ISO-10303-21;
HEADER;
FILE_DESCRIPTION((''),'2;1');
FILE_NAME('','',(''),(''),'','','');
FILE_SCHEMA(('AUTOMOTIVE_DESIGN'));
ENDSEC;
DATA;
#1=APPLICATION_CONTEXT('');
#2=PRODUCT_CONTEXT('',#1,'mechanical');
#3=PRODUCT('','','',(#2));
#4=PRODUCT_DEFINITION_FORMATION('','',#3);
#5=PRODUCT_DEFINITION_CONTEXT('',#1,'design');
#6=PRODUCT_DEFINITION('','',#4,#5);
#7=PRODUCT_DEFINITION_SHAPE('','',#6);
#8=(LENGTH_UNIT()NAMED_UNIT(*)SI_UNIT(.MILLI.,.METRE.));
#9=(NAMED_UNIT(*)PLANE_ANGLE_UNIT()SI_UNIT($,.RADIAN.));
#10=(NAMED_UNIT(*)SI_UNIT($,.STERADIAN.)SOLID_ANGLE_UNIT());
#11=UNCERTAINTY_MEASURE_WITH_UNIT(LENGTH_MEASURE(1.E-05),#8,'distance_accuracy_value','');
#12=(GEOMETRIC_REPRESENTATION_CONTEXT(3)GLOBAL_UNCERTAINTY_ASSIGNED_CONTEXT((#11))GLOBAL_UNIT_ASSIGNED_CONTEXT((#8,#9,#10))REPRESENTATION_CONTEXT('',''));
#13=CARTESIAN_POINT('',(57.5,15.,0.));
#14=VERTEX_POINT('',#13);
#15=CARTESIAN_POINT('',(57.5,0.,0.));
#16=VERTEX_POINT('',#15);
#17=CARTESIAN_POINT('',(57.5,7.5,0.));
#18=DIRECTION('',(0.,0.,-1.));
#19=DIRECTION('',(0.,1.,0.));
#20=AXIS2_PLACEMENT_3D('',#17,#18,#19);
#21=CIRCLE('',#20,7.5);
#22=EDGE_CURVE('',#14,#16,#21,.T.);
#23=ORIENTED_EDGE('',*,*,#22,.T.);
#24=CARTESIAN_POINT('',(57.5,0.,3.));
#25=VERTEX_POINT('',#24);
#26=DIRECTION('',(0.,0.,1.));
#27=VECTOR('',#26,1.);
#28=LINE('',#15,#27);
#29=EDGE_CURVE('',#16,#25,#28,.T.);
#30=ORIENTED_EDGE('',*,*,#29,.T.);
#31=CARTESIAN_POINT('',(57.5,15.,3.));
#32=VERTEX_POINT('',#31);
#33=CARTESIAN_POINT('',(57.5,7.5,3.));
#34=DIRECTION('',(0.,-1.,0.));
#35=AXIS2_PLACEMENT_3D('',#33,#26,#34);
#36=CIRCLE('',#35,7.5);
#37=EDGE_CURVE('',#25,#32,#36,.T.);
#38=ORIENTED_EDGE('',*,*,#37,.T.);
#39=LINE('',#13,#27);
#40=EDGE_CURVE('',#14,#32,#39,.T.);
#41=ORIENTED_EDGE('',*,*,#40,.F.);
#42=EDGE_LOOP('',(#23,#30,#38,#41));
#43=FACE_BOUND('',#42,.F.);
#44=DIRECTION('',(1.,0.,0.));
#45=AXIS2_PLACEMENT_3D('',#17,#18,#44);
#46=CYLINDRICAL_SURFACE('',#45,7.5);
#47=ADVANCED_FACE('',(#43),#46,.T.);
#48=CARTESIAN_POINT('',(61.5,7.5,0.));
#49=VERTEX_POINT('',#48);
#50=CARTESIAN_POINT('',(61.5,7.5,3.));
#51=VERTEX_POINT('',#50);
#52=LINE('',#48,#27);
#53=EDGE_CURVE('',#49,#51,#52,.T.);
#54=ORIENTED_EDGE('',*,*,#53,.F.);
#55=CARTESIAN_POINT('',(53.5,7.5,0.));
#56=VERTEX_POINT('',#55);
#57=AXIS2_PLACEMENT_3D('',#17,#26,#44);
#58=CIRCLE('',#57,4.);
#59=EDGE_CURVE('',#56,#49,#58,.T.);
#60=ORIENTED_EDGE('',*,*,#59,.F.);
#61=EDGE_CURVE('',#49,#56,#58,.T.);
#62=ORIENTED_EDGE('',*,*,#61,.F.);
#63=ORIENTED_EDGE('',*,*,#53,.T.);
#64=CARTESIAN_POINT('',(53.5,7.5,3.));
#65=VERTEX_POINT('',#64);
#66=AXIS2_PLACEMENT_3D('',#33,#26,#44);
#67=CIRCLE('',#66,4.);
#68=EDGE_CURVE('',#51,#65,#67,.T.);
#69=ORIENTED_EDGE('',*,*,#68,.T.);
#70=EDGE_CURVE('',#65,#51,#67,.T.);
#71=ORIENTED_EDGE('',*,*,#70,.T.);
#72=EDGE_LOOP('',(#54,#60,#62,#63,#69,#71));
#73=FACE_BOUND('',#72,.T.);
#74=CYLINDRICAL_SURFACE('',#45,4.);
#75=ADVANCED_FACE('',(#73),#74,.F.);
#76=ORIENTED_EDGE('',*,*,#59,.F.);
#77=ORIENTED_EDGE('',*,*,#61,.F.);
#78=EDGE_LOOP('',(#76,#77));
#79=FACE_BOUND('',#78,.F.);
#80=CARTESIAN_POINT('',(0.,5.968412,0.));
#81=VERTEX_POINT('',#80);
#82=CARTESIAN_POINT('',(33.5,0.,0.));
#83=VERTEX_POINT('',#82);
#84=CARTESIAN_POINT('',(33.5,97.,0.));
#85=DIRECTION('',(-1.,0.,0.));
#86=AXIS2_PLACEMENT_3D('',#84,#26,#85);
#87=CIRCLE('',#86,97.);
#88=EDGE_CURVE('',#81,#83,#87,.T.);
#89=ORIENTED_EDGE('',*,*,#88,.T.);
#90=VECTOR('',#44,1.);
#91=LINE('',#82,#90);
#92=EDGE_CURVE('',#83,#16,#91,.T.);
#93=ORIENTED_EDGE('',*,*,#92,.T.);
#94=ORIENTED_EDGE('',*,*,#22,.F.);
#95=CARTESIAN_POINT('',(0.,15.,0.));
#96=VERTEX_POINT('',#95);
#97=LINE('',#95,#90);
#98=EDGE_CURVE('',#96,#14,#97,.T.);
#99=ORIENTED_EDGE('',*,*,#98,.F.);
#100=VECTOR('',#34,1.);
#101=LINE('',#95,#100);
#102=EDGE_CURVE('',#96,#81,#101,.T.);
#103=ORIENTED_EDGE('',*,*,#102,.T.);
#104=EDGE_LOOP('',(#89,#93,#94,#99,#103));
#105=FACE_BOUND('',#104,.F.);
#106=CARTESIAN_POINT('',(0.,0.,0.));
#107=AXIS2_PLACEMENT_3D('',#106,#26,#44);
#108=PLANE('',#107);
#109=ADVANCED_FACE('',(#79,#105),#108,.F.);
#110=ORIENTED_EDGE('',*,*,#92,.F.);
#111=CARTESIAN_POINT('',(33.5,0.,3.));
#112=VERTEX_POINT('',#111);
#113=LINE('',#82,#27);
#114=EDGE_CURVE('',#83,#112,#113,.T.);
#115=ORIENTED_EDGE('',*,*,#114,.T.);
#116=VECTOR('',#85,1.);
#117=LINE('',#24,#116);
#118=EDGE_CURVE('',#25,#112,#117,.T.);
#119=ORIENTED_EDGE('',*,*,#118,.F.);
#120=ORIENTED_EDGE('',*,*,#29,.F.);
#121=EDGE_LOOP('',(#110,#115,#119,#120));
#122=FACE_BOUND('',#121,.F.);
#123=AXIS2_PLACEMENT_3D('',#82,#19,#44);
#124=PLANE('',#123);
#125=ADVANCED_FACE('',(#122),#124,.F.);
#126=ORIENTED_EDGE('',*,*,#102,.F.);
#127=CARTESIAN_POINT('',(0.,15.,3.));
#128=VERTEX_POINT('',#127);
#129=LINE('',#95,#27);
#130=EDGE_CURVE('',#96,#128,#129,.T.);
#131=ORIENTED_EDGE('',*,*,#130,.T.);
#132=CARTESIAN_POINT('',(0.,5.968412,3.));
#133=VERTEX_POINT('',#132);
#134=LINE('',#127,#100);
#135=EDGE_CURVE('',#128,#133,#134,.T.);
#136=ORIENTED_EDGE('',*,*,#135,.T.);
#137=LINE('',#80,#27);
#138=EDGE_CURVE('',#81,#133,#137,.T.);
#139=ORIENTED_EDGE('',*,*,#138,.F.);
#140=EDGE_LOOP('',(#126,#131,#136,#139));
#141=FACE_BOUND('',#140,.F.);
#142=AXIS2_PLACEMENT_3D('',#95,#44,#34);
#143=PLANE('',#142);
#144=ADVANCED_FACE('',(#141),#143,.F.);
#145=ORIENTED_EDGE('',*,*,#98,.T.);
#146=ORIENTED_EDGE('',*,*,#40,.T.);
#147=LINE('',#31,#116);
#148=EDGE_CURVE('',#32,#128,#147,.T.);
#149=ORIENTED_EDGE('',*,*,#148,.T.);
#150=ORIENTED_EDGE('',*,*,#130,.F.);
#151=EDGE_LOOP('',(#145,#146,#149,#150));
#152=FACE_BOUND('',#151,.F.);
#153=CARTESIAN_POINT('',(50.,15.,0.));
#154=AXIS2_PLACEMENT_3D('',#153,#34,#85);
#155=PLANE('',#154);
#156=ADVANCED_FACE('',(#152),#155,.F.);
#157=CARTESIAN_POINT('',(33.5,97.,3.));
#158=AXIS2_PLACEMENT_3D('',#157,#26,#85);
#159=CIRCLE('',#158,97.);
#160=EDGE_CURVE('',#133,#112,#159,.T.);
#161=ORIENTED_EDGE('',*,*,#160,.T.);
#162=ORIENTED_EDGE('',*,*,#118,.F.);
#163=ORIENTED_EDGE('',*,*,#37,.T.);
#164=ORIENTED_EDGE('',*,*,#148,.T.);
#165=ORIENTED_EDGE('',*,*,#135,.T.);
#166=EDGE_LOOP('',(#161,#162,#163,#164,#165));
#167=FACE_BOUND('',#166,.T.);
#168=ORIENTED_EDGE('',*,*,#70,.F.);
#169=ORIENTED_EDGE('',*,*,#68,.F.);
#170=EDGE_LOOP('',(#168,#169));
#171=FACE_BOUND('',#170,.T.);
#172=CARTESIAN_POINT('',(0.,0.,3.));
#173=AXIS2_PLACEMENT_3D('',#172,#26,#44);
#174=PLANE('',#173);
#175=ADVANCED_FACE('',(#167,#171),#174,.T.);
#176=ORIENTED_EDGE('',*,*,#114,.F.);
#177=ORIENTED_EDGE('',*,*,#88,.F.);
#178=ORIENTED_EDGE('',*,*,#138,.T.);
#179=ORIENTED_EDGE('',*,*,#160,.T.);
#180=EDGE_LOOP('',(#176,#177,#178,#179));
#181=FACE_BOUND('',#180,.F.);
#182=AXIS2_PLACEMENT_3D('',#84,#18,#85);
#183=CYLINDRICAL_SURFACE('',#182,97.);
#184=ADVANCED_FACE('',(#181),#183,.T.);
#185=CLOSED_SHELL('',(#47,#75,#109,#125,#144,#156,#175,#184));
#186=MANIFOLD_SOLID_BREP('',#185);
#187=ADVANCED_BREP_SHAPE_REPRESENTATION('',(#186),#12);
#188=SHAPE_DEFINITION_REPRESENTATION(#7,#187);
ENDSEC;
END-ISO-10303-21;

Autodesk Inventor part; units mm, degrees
ref_plane "YZ Plane" through (0, 0, 0) normal (1, 0, 0) x (0, 1, 0)
ref_plane "XZ Plane" through (0, 0, 0) normal (0, 1, 0) x (-1, 0, 0)
ref_plane "XY Plane" through (0, 0, 0) normal (0, 0, 1) x (1, 0, 0)
sketch "草圖1" plane through (0, 0, 0) normal (0, 0, 1) x (1, 0, 0)
  line L0 (0, 0) -> (50, 0)
  line L1 (50, 0) -> (50, 15)
  line L2 (50, 15) -> (0, 15)
  line L3 (0, 15) -> (0, 0)
  circle A0 centre (57.5, 7.5) radius 7.5
  line L4 (50, 15) -> (57.5, 15)
  line L5 (50, 0) -> (57.5, 0)
  circle A1 centre (57.5, 7.5) radius 4
  arc A2 (-63.5, 97) -> (33.5, 0) centre (33.5, 97) ccw
  line L6 (33.5, 0) -> (53.5, 0)
  line L7 (53.5, 7.5) -> (53.5, 0)
  point P0 (0, 5.9684)
  point P1 (33.5, 0)
  dimension "d3" = 8
  dimension "d0" = 50
  dimension "d1" = 15
  dimension "d2" = 15
  dimension "d6" = 20
  dimension "d7" = 97
  dimension "d8" = 137.1787
extrude "擠出1" add sketch "草圖1" along normal blind 3 contours A2 L3 L2 L1 L0 | L1 A0 L7 L5 | L1 L4 A0 | A0 | L7 A0 L5
